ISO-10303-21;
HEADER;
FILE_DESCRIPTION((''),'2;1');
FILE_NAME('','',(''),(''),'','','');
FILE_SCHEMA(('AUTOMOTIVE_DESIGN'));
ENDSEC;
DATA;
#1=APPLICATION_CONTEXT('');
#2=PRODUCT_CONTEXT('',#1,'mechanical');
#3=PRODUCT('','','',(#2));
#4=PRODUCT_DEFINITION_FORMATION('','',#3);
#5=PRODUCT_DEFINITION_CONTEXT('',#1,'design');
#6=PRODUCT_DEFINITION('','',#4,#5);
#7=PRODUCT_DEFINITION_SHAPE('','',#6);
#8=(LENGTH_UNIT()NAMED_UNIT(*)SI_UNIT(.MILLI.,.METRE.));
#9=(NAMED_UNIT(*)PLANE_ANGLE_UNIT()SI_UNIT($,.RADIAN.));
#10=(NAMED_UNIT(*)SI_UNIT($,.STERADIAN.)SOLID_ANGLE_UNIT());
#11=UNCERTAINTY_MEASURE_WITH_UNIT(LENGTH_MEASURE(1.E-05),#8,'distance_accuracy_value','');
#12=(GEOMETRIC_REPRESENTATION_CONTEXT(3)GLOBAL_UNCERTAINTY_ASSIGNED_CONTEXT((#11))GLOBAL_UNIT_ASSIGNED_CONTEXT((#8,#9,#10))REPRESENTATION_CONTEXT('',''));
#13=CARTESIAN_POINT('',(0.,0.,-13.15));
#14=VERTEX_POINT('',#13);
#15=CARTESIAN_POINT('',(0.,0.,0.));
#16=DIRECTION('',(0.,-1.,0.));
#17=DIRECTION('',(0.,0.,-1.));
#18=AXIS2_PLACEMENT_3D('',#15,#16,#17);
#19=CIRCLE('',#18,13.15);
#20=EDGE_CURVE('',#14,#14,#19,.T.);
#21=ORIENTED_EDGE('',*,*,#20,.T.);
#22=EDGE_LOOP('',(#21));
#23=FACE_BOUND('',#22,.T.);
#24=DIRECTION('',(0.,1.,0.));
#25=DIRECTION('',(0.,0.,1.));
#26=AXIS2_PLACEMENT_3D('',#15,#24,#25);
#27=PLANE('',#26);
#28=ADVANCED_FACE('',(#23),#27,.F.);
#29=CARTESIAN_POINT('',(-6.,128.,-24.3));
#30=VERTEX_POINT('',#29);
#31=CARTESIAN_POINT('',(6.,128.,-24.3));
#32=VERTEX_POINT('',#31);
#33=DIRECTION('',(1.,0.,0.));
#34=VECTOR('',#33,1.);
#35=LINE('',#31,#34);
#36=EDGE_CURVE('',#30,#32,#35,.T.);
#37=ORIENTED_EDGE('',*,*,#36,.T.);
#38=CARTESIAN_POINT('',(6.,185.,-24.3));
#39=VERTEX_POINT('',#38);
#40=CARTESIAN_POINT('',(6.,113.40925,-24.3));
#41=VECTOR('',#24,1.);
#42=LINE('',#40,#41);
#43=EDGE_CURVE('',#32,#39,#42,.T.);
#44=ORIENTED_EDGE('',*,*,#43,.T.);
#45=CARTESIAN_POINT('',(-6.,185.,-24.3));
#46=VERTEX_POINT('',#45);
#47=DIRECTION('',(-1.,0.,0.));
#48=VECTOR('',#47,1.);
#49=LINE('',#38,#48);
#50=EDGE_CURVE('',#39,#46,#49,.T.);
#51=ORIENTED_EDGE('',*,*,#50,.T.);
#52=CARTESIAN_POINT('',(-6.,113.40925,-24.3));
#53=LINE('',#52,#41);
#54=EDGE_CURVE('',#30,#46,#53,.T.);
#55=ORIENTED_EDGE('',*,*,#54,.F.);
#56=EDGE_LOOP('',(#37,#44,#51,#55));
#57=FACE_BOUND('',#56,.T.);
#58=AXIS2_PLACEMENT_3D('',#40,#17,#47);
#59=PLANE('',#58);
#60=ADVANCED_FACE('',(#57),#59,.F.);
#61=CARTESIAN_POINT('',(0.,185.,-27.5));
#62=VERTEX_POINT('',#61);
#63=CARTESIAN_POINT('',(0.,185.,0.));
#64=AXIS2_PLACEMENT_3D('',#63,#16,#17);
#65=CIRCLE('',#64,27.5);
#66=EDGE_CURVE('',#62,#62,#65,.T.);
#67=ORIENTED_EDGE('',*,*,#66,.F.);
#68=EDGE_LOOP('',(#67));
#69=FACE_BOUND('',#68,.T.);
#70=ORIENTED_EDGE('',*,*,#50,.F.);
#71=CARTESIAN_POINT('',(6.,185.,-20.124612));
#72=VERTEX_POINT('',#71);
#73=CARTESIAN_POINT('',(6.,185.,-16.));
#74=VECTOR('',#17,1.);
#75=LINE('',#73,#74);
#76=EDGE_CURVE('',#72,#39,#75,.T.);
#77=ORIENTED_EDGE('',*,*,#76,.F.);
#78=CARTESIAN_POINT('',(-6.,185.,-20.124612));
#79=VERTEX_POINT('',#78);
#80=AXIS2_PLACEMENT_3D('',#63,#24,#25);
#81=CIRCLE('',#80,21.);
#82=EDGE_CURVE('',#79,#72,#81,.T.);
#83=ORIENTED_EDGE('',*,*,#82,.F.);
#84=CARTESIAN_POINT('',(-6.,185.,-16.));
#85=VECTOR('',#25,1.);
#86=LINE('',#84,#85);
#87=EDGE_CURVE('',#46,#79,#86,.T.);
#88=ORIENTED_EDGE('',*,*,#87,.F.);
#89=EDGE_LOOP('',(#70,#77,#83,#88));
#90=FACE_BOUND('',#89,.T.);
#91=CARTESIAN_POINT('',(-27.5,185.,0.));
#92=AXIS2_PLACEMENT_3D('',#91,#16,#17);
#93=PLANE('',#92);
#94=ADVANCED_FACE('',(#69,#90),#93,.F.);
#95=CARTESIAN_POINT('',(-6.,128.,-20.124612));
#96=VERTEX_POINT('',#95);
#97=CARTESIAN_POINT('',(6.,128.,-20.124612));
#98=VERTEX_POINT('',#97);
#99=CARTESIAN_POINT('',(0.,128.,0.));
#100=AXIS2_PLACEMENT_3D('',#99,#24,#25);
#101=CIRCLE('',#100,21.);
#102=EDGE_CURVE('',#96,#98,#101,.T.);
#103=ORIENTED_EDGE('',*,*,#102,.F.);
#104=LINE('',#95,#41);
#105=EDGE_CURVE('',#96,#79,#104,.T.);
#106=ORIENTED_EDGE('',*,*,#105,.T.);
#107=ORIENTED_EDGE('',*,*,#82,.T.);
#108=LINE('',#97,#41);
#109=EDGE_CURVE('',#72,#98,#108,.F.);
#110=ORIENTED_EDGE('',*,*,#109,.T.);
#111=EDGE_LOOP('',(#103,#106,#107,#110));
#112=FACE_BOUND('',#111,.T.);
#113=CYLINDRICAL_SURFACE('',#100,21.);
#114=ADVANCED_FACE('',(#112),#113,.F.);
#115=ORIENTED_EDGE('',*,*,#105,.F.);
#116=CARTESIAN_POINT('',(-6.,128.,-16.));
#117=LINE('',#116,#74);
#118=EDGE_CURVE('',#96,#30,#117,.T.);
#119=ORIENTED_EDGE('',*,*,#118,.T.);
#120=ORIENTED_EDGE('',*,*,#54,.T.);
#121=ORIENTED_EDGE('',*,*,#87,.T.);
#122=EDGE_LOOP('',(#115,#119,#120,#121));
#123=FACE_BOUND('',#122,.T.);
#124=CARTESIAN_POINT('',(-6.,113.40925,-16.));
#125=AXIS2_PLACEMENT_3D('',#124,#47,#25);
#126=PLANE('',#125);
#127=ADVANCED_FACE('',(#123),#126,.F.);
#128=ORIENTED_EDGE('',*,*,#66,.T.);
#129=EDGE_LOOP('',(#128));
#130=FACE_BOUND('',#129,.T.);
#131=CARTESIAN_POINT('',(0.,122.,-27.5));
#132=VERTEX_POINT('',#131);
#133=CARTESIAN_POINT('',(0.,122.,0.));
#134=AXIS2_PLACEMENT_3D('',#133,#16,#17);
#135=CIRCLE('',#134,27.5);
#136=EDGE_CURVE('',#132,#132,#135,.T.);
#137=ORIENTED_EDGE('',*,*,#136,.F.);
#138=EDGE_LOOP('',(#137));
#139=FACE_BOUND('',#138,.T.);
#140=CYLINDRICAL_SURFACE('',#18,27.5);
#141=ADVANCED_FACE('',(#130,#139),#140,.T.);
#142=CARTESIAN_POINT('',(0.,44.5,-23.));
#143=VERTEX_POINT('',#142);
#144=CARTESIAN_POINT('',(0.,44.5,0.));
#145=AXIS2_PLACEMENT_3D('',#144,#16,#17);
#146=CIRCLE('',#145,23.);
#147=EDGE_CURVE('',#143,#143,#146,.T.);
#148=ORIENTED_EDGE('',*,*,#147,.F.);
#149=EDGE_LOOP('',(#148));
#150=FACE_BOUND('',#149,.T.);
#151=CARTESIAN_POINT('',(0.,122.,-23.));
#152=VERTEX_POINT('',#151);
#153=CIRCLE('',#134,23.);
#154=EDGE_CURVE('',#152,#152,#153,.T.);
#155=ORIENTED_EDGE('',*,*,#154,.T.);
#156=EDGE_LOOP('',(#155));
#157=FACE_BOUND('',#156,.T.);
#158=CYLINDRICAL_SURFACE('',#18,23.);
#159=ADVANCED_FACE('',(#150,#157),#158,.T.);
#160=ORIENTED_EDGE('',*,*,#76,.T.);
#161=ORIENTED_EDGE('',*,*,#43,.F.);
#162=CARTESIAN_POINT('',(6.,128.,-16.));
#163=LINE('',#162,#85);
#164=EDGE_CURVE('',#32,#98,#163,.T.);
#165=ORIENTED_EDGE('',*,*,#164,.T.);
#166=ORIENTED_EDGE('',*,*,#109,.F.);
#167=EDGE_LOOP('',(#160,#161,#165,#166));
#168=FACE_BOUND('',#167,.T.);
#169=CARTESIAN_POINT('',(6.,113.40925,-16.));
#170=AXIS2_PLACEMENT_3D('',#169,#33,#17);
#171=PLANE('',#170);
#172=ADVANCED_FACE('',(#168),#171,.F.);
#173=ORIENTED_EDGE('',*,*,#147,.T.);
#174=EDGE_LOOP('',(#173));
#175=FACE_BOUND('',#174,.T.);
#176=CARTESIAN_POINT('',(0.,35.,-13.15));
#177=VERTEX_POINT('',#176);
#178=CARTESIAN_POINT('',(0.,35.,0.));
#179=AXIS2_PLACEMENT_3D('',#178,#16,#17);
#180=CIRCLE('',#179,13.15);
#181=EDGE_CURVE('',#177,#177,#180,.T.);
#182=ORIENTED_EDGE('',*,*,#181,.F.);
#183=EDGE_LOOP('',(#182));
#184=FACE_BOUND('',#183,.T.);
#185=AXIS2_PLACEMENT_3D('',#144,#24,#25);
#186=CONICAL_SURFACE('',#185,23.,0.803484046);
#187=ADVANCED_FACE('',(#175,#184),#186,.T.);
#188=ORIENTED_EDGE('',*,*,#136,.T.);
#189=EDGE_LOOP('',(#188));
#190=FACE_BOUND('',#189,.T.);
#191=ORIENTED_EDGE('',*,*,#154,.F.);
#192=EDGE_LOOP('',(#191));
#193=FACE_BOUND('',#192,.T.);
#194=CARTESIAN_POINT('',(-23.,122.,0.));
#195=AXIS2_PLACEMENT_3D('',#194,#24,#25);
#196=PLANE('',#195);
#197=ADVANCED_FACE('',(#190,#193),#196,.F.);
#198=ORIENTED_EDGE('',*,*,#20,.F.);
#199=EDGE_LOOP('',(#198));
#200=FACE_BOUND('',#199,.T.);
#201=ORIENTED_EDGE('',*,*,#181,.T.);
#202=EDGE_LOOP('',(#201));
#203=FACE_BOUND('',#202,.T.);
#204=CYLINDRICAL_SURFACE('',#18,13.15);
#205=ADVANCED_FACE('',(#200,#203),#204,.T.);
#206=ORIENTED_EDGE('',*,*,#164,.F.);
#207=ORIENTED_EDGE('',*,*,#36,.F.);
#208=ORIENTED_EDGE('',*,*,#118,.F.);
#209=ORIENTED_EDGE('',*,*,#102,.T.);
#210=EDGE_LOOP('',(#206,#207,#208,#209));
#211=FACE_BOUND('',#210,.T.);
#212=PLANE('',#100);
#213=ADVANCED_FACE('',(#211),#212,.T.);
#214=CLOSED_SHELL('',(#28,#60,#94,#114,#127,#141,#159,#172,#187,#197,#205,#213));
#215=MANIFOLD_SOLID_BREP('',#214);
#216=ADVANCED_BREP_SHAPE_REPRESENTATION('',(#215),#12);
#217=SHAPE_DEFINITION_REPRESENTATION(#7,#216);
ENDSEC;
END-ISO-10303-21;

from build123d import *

# Parameters (mm, degrees)
SKETCH2_R          = 21
CUT_EXTRUDE1_DEPTH = 57
SKETCH3_W          = 12
SKETCH3_H          = 8.3
CUT_EXTRUDE2_DEPTH = 57


with BuildPart() as part:
    # Sketch1 → Revolve1 (revolve)
    with BuildSketch(Plane.XY, mode=Mode.PRIVATE) as revolve1_sk:
        Polygon((0, 0), (-13.15, 0), (-13.15, 35), (-23, 44.5), (-23, 122), (-27.5, 122), (-27.5, 185), (-11, 185), (-11, 145), (0, 145), align=None)
    revolve(revolve1_sk.sketch.rotate(Axis((0, 0, 0), (0, 1, 0)), 270), axis=Axis((0, 0, 0), (0, 1, 0)))

    # Sketch2 → Cut-Extrude1 (cut)
    with BuildSketch(Plane(origin=(0, 185, 0), x_dir=(1, 0, 0), z_dir=(0, 1, 0))):
        with Locations(Location((0, 0, 0), (0, 0, 270))):
            Circle(SKETCH2_R)
    extrude(amount=-CUT_EXTRUDE1_DEPTH, mode=Mode.SUBTRACT)

    # Sketch3 → Cut-Extrude2 (cut)
    with BuildSketch(Plane(origin=(0, 185, 0), x_dir=(1, 0, 0), z_dir=(0, 1, 0))):
        with Locations((0, 20.15)):
            Rectangle(SKETCH3_W, SKETCH3_H)
    extrude(amount=-CUT_EXTRUDE2_DEPTH, mode=Mode.SUBTRACT)


solid = part.part
